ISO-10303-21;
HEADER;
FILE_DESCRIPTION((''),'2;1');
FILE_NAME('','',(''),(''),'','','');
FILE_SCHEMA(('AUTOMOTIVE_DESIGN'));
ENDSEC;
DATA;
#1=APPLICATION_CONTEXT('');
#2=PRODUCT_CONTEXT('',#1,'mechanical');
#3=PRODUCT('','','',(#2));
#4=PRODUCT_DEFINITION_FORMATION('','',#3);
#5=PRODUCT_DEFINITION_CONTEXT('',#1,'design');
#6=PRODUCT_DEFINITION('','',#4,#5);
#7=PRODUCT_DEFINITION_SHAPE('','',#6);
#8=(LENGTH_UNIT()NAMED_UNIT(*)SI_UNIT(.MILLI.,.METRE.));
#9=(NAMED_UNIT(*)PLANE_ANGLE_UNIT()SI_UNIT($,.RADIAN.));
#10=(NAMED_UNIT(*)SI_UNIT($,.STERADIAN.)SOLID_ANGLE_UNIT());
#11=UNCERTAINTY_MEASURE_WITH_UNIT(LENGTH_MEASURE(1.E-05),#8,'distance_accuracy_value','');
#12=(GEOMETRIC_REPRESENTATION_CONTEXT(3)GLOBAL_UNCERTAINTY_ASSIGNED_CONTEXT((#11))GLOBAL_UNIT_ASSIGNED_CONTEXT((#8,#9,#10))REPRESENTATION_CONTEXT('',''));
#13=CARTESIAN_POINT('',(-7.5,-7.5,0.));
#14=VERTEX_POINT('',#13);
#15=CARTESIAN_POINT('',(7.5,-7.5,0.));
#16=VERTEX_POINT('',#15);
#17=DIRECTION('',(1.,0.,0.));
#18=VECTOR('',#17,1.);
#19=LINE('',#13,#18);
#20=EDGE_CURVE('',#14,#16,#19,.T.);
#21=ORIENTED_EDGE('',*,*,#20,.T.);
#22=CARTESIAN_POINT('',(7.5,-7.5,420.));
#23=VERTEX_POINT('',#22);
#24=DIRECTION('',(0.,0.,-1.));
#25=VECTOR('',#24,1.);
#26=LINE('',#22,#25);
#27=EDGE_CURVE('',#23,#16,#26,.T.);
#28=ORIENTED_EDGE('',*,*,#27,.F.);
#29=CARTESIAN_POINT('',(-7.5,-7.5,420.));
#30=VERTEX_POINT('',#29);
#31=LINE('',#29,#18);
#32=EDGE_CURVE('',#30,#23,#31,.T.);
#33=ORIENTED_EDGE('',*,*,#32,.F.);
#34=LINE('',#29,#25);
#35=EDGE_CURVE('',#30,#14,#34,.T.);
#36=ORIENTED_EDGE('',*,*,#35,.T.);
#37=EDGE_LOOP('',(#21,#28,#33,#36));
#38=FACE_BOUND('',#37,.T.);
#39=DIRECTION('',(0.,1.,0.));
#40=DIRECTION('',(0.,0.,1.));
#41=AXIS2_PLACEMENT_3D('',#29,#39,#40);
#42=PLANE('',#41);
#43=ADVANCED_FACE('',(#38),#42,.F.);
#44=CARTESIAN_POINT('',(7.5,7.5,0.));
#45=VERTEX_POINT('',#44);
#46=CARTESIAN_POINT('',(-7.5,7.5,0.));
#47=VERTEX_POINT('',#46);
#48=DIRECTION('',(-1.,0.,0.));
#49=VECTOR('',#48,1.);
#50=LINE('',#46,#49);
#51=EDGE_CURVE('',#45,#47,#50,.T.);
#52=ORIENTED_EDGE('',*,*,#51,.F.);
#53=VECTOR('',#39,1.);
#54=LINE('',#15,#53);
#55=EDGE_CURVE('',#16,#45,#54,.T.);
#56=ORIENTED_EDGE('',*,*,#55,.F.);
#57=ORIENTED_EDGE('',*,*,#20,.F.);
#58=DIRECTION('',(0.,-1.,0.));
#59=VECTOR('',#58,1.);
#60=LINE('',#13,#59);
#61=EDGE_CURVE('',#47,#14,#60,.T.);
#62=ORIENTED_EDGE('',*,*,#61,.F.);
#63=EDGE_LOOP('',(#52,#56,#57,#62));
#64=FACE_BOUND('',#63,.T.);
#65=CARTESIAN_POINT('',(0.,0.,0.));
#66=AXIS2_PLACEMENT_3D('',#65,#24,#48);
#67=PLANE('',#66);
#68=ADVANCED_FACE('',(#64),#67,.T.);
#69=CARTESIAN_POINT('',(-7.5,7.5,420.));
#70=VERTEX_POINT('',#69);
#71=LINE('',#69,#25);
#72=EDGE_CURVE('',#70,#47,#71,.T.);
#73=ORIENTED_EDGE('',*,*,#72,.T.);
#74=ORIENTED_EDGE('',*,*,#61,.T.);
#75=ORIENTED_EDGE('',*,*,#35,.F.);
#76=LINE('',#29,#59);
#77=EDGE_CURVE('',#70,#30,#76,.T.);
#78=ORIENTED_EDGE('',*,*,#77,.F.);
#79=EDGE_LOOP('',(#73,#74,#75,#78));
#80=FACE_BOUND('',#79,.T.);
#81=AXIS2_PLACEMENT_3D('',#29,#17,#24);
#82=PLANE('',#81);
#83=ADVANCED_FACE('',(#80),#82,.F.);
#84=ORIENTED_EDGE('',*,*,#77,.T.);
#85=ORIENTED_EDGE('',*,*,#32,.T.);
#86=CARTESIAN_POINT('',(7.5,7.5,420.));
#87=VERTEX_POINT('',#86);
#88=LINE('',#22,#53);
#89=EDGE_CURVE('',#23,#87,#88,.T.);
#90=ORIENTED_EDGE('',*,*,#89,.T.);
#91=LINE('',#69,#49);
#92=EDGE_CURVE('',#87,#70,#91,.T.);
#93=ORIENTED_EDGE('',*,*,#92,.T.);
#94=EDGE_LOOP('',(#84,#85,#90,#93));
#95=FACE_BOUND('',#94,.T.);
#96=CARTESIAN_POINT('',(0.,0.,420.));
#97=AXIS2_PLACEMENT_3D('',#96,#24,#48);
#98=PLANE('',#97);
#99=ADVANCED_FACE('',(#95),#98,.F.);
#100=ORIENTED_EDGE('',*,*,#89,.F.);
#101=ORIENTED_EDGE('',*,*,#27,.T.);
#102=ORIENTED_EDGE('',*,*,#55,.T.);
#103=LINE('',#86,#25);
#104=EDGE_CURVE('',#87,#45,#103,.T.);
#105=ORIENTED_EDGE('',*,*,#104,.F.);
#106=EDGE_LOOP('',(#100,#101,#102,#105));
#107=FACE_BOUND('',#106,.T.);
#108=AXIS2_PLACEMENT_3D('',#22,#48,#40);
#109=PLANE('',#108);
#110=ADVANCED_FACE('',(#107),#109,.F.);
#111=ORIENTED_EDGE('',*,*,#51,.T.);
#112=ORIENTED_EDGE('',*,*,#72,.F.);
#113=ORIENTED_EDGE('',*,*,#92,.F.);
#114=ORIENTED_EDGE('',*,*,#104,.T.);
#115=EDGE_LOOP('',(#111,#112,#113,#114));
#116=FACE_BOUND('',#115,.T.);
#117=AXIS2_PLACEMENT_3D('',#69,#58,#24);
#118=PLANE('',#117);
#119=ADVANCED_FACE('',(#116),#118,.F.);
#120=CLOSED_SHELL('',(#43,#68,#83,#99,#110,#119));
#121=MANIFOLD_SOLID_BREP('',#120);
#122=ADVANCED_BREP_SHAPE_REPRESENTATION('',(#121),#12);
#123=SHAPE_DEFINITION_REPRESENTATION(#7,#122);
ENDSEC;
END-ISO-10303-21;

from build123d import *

# Parameters (mm, degrees)
ESQUISSE1_W        = 15
ESQUISSE1_H        = 15
BOSS_EXTRU_1_DEPTH = 420


with BuildPart() as part:
    # Esquisse1 → Boss.-Extru.1 (new body)
    with BuildSketch(Plane.XY):
        Rectangle(ESQUISSE1_W, ESQUISSE1_H)
    extrude(amount=BOSS_EXTRU_1_DEPTH)


solid = part.part
